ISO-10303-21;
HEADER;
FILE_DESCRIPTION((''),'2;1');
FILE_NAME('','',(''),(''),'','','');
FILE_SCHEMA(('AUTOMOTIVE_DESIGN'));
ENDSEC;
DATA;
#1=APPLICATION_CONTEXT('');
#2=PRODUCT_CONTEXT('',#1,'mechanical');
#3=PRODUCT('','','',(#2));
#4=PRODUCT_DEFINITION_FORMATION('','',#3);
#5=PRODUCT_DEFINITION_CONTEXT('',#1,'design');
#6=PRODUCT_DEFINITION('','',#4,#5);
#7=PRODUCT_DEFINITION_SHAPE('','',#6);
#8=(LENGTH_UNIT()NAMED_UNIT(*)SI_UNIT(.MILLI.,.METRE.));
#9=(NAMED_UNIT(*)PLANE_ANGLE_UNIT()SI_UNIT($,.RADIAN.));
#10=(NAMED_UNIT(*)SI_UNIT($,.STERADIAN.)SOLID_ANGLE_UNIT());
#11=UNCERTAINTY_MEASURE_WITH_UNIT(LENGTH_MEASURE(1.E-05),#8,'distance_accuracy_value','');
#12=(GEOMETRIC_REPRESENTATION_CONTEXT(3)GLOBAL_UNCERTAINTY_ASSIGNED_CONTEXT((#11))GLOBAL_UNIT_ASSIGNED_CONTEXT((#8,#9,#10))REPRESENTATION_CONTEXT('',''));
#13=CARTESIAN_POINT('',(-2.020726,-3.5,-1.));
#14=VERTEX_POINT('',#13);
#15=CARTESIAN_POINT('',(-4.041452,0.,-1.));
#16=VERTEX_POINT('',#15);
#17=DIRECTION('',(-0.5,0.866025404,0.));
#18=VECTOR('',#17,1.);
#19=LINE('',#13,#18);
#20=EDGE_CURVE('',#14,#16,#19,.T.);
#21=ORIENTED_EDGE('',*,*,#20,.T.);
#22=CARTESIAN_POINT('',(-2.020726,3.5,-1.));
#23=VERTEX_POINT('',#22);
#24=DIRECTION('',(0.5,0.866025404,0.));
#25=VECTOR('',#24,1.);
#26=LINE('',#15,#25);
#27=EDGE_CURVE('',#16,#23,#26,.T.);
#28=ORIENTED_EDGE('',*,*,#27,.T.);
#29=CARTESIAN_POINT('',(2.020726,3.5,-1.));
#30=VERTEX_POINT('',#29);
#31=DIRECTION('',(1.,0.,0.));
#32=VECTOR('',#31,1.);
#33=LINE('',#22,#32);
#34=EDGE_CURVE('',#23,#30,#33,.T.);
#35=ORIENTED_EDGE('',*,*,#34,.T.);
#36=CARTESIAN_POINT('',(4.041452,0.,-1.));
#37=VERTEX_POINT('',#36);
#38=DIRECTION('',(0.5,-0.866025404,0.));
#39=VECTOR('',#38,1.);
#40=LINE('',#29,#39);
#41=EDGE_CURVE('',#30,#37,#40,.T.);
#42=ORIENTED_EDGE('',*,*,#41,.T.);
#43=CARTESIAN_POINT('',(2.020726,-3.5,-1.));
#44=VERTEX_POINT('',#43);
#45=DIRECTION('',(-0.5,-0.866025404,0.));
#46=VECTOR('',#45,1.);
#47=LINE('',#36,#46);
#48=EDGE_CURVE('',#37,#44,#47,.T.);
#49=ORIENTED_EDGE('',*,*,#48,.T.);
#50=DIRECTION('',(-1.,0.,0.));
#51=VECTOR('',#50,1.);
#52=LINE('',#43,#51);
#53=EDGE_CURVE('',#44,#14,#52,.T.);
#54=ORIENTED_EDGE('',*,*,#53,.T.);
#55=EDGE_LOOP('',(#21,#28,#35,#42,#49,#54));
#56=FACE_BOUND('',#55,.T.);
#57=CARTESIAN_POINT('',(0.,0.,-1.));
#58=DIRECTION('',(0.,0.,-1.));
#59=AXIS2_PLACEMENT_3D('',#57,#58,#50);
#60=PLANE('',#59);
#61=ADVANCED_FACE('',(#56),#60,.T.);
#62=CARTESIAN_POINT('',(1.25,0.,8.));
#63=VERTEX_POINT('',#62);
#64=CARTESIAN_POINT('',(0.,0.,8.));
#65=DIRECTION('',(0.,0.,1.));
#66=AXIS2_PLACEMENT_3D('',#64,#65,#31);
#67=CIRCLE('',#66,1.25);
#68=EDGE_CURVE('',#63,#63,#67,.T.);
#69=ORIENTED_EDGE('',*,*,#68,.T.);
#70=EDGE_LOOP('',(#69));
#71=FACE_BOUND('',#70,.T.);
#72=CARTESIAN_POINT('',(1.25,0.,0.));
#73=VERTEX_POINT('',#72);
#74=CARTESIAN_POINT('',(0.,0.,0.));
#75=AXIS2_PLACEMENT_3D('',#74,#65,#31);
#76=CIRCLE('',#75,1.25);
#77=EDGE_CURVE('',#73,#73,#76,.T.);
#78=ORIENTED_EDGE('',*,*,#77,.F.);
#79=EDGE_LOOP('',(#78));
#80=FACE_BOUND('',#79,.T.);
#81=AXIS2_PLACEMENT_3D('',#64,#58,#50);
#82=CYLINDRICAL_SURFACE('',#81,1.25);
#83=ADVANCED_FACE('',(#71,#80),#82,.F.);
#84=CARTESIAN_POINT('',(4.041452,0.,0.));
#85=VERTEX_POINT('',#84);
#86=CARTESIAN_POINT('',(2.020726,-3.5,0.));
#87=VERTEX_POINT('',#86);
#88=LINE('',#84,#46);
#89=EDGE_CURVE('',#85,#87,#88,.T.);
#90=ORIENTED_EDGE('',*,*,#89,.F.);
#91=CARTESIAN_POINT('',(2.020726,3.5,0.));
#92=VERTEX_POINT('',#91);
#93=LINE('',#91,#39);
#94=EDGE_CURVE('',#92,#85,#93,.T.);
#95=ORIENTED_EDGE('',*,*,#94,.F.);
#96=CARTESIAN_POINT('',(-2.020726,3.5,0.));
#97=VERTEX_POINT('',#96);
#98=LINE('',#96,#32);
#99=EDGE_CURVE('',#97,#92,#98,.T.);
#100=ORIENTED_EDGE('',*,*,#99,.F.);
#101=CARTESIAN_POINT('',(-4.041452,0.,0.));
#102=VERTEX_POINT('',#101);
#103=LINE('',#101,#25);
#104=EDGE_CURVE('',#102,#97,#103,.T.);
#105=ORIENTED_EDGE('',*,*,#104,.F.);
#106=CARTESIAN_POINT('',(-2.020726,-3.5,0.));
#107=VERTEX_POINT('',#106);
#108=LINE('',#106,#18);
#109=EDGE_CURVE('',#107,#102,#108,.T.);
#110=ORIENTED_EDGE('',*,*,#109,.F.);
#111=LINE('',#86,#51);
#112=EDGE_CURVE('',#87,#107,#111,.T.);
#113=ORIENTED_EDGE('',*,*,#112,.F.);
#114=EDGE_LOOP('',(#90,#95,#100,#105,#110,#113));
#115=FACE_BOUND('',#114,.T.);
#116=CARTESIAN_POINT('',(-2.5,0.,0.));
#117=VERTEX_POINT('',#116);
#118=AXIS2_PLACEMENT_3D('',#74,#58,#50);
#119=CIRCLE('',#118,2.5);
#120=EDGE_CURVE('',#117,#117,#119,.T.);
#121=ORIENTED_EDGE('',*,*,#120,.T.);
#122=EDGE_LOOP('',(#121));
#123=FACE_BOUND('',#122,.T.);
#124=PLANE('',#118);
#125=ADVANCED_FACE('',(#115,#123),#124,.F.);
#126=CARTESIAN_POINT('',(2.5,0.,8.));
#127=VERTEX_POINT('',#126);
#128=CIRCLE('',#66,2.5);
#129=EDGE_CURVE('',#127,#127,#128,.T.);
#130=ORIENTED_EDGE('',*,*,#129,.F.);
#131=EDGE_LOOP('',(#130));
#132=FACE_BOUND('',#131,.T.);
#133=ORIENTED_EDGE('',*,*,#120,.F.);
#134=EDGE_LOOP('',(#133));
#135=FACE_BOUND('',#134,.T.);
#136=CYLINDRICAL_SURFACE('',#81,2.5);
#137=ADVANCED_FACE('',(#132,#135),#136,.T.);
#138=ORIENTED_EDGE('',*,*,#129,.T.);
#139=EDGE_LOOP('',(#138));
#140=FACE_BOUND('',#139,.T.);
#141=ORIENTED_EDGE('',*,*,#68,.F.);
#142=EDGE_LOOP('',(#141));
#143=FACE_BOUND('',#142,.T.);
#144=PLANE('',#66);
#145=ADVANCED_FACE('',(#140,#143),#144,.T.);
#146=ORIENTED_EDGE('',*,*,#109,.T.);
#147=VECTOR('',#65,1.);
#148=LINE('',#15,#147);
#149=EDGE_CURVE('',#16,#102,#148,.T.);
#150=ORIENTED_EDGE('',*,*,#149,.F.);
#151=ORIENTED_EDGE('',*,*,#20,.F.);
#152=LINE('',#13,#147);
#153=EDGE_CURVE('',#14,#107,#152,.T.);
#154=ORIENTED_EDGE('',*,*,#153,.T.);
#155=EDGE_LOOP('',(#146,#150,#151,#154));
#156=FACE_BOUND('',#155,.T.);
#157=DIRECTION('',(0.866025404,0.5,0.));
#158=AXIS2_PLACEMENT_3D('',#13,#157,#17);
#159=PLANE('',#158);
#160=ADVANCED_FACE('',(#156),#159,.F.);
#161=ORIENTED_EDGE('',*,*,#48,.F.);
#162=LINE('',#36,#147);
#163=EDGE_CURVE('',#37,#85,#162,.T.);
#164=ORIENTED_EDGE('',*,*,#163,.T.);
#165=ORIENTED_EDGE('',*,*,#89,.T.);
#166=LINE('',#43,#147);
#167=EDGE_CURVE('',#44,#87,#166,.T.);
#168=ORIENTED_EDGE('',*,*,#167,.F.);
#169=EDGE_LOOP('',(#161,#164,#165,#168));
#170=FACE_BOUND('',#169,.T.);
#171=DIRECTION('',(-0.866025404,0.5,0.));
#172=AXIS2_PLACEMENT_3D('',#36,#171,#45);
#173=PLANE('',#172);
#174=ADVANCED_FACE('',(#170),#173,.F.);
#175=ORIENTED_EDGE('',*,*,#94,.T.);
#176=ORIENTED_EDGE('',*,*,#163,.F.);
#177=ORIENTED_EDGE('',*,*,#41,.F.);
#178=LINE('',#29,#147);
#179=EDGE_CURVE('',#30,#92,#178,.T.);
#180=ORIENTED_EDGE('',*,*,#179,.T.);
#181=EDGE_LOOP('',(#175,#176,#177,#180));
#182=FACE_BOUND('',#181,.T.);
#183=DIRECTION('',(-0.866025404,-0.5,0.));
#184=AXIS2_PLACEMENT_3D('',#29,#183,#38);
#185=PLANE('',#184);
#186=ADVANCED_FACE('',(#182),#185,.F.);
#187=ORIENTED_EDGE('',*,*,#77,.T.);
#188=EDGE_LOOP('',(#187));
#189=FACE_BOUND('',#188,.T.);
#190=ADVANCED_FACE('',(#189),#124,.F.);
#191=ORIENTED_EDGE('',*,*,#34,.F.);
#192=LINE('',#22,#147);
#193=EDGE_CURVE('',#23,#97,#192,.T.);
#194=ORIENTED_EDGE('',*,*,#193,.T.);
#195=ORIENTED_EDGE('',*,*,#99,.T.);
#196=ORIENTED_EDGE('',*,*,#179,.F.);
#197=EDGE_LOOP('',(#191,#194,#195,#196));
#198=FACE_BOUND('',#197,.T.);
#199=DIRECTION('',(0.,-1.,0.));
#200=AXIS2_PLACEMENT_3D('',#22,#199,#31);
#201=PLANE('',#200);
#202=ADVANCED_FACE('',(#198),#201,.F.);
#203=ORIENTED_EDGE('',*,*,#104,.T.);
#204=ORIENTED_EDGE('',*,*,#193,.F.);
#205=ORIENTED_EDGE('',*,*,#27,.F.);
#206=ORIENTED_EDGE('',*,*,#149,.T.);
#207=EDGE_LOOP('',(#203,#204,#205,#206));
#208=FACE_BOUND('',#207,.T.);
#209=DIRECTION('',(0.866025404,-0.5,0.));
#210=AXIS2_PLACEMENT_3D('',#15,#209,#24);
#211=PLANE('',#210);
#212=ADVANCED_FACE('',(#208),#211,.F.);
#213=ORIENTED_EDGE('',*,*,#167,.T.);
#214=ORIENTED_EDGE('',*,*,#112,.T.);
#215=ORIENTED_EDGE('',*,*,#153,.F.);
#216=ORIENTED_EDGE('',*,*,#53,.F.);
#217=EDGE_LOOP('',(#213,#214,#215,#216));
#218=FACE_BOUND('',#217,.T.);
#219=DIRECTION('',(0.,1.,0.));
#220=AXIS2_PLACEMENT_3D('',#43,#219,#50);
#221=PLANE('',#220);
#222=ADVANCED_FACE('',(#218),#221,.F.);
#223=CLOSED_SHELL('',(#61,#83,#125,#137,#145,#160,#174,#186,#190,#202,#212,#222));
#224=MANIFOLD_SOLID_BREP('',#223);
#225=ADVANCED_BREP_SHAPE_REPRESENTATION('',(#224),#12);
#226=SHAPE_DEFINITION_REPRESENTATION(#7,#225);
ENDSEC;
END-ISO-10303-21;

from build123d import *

# Parameters (mm, degrees)
SKETCH_1_R      = 2.5
SKETCH_1_R_2    = 1.25
EXTRUDE_1_DEPTH = 8
EXTRUDE_2_DEPTH = 1


with BuildPart() as part:
    # 草图1 → 凸台-拉伸1 (new body)
    with BuildSketch(Plane.XY):
        Circle(SKETCH_1_R)
        Circle(SKETCH_1_R_2, mode=Mode.SUBTRACT)
    extrude(amount=EXTRUDE_1_DEPTH)

    # 草图2 → 凸台-拉伸2 (add)
    with BuildSketch(Plane(origin=(0, 0, 0), x_dir=(-1, 0, 0), z_dir=(0, 0, -1))):
        Polygon((-2.020725942, -3.5), (2.020725942, -3.5), (4.041451884, 0), (2.020725942, 3.5), (-2.020725942, 3.5), (-4.041451884, 0), align=None)
    extrude(amount=EXTRUDE_2_DEPTH)


solid = part.part
